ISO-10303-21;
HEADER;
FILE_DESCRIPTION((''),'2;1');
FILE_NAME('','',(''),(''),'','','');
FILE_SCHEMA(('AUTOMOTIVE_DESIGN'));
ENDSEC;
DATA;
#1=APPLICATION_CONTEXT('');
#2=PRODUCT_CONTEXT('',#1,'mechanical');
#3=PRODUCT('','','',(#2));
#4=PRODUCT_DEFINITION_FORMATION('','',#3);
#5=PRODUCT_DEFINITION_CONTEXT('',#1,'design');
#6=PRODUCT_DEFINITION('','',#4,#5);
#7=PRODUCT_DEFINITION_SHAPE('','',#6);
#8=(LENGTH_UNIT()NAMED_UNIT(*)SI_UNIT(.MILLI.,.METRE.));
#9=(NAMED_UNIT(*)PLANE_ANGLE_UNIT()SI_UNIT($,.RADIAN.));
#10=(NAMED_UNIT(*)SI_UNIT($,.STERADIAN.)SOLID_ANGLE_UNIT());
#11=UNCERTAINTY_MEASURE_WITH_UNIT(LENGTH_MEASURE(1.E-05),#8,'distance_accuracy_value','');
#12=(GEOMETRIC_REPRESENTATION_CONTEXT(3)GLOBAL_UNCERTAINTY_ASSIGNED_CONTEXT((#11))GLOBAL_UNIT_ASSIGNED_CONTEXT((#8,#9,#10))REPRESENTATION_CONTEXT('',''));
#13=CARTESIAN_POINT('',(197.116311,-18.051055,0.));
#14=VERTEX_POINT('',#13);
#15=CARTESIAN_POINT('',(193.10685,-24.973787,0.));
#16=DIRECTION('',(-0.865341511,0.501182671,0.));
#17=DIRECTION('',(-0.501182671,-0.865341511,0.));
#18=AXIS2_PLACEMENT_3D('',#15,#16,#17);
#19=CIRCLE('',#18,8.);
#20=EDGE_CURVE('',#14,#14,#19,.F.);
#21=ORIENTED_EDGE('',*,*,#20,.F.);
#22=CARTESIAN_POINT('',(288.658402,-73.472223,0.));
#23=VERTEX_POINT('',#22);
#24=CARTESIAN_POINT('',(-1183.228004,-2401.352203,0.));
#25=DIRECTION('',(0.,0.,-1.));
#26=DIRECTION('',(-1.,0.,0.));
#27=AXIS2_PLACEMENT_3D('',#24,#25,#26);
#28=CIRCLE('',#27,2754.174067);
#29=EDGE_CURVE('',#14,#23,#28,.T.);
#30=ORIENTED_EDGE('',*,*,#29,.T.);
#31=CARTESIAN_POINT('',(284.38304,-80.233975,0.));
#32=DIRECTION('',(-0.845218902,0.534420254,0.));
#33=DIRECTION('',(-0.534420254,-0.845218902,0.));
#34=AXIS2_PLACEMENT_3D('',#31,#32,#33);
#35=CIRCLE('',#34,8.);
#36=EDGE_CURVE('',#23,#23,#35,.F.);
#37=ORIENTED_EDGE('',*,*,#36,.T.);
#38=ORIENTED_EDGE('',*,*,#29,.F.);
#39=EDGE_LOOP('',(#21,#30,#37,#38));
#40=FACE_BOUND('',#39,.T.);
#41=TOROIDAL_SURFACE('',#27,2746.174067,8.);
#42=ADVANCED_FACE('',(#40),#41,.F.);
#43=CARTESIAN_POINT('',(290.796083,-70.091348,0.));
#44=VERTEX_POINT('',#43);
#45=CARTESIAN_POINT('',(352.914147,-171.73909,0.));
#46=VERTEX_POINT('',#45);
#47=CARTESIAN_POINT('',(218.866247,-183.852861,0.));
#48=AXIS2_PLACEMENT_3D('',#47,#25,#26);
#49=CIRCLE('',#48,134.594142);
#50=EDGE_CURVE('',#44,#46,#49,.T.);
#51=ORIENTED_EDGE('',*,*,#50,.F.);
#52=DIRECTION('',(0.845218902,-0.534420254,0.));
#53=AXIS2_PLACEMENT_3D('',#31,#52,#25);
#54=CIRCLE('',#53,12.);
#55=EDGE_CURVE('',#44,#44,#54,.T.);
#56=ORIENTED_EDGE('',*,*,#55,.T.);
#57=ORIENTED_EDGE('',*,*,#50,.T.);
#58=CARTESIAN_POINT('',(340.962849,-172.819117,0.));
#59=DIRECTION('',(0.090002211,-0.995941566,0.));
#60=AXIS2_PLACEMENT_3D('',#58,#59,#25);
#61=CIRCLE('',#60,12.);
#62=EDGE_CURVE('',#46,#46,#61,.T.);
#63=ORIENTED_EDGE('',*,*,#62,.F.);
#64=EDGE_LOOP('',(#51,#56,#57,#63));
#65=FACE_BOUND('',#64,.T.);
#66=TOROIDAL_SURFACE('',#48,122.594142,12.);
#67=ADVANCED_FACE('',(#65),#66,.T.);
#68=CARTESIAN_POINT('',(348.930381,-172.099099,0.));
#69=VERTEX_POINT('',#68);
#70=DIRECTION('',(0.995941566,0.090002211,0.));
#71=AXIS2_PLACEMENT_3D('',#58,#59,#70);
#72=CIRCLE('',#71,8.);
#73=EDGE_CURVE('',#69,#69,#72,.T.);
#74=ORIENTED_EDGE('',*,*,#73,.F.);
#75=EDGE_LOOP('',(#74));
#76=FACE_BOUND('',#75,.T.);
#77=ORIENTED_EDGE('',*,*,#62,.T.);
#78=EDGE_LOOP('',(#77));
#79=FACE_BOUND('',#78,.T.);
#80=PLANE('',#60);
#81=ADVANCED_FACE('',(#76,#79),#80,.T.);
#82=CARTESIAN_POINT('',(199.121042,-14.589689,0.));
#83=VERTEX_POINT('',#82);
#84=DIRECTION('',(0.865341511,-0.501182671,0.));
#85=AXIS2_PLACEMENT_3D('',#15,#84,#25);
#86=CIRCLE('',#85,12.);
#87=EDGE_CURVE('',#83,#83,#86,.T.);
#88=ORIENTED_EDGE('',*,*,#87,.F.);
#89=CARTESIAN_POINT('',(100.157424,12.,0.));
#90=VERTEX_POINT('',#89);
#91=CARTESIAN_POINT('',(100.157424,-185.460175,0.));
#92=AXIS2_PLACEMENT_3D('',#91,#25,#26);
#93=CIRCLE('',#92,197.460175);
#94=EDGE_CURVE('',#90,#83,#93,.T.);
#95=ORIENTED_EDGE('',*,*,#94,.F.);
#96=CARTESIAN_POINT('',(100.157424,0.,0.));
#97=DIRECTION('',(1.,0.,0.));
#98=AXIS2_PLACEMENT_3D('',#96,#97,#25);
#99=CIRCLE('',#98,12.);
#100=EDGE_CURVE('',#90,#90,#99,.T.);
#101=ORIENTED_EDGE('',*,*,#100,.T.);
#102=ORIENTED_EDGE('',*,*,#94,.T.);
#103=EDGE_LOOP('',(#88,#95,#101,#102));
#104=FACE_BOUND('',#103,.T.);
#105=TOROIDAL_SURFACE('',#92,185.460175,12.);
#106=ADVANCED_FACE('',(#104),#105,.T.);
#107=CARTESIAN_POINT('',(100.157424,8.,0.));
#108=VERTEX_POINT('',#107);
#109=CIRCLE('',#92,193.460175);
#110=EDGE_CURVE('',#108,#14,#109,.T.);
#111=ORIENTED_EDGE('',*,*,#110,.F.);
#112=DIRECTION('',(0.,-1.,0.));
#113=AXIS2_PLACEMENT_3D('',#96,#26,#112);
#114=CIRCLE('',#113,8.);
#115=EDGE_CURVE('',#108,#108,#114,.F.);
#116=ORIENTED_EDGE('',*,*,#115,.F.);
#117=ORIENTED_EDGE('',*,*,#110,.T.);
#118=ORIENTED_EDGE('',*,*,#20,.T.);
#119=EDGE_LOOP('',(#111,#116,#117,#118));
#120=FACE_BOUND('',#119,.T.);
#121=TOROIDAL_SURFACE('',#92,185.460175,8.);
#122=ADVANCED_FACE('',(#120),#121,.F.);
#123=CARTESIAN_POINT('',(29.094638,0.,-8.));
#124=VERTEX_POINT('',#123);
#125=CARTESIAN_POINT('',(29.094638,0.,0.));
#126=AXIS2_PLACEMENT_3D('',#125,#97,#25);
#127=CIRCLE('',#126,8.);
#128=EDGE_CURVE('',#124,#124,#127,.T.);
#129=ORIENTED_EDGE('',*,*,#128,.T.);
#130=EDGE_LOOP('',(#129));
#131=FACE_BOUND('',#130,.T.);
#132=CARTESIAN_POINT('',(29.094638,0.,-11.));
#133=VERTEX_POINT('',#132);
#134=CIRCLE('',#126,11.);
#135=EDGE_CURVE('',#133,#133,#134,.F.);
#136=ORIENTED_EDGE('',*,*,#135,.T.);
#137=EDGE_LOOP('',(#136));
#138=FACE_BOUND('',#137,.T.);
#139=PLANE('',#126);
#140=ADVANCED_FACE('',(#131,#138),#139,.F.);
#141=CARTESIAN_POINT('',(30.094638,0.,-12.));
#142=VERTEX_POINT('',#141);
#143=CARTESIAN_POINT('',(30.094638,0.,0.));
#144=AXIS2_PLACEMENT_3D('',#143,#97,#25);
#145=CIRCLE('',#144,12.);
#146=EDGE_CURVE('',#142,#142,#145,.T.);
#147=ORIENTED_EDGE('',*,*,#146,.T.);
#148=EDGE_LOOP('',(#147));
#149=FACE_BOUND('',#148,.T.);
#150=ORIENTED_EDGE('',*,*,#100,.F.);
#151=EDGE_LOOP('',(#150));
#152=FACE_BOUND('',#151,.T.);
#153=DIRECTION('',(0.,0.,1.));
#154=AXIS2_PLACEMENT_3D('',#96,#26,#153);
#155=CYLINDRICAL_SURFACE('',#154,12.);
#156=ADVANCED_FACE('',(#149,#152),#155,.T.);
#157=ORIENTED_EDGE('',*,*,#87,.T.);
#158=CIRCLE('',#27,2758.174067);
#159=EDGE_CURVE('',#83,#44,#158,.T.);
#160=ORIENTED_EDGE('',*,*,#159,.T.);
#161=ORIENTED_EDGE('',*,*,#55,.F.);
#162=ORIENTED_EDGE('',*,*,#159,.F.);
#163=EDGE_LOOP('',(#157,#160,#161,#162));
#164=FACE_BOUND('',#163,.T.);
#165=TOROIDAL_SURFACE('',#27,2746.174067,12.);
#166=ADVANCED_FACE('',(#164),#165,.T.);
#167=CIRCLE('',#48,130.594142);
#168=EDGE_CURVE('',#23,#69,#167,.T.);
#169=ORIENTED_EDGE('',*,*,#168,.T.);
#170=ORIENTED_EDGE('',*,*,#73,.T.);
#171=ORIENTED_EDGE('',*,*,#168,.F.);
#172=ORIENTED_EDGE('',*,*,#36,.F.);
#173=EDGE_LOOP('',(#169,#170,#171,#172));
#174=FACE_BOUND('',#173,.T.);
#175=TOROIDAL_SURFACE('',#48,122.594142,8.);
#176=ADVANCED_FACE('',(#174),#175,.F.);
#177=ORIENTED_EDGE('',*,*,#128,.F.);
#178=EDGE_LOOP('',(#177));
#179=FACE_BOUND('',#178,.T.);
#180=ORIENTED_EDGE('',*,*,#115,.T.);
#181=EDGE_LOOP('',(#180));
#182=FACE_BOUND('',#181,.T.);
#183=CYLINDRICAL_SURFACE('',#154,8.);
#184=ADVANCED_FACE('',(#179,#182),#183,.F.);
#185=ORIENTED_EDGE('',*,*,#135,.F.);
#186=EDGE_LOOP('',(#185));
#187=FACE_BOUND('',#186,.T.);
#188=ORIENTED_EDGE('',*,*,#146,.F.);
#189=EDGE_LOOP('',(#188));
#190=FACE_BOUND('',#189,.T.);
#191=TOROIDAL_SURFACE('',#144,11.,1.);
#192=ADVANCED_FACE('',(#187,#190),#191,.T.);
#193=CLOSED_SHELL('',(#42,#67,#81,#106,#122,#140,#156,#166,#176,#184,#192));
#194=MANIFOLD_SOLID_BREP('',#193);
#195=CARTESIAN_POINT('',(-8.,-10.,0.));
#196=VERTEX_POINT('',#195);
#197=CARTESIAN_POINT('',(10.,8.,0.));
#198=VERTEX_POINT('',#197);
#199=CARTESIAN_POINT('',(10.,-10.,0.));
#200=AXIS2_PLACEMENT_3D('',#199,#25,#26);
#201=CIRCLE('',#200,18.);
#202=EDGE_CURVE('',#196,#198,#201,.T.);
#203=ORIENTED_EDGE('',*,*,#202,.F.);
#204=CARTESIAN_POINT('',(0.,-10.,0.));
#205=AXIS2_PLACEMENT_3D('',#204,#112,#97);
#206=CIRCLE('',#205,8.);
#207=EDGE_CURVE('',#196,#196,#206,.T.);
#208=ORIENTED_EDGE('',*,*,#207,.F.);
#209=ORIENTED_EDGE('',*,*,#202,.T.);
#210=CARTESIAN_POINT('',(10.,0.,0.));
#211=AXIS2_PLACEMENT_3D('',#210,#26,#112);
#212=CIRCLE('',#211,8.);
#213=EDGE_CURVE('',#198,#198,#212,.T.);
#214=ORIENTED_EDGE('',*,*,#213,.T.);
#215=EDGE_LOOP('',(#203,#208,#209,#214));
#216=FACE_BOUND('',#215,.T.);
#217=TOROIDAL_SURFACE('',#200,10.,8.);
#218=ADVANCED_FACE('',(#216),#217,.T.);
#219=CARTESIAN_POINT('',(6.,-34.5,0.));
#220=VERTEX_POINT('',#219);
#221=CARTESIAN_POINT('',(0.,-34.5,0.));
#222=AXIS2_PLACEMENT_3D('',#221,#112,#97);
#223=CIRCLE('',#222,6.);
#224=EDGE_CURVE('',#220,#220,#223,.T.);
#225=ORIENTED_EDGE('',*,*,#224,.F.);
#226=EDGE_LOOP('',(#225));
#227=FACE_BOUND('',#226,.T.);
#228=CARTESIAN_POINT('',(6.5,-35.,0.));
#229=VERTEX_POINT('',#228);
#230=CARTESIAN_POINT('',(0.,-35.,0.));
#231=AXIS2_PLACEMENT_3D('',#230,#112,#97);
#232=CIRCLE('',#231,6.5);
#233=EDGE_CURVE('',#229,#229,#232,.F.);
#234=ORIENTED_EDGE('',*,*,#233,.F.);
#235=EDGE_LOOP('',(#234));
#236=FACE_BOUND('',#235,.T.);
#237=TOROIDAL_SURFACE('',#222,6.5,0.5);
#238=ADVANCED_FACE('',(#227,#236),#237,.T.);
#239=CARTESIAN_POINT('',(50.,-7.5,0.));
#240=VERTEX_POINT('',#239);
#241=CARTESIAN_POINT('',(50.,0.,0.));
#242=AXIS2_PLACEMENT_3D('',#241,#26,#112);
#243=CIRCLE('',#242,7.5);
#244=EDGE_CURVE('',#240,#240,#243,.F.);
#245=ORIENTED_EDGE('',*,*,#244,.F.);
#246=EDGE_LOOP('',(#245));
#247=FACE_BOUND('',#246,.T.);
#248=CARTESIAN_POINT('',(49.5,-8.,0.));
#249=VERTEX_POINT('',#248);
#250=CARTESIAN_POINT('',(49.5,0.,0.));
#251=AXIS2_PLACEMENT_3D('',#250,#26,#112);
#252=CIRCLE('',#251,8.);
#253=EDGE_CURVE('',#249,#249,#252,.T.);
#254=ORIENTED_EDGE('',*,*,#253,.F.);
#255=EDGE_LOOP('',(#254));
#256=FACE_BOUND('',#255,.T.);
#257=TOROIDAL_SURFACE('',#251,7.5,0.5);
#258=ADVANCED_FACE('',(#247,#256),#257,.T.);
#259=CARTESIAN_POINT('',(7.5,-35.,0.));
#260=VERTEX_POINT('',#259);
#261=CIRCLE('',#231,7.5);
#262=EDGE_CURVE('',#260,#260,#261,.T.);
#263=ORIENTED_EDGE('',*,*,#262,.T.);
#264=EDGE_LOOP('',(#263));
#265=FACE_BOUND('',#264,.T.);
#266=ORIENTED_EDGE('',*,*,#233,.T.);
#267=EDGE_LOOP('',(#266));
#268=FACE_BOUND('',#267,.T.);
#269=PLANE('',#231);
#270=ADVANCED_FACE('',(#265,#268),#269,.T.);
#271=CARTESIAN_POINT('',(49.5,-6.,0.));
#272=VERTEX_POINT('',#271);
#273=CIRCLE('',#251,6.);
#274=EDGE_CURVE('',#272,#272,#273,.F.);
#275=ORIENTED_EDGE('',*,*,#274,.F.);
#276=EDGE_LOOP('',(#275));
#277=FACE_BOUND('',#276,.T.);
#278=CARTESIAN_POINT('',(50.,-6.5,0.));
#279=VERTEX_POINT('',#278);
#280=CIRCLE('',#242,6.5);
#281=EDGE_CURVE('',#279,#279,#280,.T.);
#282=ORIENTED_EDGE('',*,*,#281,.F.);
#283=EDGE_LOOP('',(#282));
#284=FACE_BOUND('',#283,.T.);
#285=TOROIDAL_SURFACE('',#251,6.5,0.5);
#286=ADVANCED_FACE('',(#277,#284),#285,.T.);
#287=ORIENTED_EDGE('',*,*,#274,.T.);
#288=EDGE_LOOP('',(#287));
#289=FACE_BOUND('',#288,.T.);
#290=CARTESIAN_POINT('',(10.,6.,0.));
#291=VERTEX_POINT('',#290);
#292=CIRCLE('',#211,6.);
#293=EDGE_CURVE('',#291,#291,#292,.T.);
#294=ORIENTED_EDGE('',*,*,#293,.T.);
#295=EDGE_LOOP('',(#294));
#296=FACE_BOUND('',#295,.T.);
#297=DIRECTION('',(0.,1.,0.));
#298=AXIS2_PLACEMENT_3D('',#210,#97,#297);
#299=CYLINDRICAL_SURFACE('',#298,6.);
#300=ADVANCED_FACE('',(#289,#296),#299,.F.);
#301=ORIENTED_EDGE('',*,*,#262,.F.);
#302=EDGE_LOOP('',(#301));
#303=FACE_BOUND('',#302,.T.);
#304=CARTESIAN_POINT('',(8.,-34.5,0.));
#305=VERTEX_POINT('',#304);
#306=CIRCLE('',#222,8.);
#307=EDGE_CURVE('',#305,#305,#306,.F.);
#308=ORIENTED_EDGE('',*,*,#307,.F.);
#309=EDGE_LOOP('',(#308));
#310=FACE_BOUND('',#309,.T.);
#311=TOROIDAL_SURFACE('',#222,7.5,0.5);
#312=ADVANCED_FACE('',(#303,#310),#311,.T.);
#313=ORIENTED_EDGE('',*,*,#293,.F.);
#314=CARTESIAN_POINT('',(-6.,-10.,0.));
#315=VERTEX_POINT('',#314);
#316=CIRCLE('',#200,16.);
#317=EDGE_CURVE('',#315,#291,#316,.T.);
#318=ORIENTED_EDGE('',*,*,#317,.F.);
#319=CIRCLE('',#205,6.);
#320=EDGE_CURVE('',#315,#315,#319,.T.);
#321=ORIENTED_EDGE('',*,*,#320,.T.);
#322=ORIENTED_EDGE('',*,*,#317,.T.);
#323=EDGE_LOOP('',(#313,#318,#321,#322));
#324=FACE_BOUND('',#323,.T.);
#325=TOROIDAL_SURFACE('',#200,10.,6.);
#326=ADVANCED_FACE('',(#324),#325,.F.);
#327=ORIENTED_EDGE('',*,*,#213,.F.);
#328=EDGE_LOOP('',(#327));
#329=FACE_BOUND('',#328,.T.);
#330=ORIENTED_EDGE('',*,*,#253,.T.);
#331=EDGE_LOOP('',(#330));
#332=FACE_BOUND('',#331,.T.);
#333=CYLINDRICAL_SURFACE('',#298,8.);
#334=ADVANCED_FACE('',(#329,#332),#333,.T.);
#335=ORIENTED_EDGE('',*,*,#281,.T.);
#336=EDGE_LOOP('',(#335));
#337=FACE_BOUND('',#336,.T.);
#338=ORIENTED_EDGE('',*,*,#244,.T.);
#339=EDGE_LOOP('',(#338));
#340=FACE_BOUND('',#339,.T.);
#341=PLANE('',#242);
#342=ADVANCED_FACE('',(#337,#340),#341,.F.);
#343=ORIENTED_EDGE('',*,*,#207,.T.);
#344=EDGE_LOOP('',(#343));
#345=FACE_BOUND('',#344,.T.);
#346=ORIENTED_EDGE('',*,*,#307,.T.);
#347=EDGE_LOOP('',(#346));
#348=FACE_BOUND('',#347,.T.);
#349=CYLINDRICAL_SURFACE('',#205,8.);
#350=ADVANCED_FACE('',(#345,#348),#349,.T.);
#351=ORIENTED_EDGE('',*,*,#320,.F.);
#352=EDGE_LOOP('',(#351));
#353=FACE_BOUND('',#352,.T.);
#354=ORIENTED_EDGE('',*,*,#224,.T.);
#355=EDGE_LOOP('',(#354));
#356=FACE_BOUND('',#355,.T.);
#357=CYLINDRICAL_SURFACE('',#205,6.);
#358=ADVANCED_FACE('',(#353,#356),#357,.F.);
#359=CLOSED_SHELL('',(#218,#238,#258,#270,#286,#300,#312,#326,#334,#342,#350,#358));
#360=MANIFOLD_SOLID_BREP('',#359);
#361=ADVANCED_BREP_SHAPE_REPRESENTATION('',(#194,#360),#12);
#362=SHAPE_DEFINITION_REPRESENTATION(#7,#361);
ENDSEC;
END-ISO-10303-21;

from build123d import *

# Parameters (mm, degrees)
CROQUIS2_R  = 8
VACIADO2_T  = -2
REDONDEO1_R = 0.5
CROQUIS7_R  = 12
VACIADO3_T  = -4
REDONDEO2_R = 1


with BuildPart() as part:
    # Barrer1: sweep along a path in Croquis1
    with BuildLine(Plane.XY) as barrer1_path:
        Line((0, -35), (0, -10))
        ThreePointArc((0, -10), (2.928932188, -2.928932188), (10, 0))
        Line((10, 0), (50, 0))
    # Croquis2 → Barrer1 (sweep)
    with BuildSketch(Plane.XZ.offset(35)):
        Circle(CROQUIS2_R)
    sweep(path=barrer1_path.line)

    # Vaciado2
    vaciado2_openings = [part.faces().sort_by_distance(p)[0] for p in [
        (50, 0, 0),
        (0, -35, 0),
    ]]
    offset(amount=VACIADO2_T, openings=vaciado2_openings, kind=Kind.INTERSECTION)

    # Redondeo1
    redondeo1_edges = [part.edges().sort_by_distance(p)[0] for p in [
        (-8, -35, 0),
        (50, 8, 0),
        (50, 6, 0),
        (-6, -35, 0),
    ]]
    fillet(redondeo1_edges, radius=REDONDEO1_R)


with BuildPart() as body_2:
    # Barrer2: sweep along a path in Croquis6
    with BuildLine(Plane.XY) as barrer2_path:
        Line((29.094637827, 0), (100.157423708, 0))
        ThreePointArc((100.157423708, 0), (148.28040633, -6.352232524), (193.106849682, -24.973786993))
        ThreePointArc((193.106849682, -24.973786993), (239.013356914, -52.160529921), (284.383039562, -80.233974557))
        ThreePointArc((284.383039562, -80.233974557), (323.473601272, -119.926144084), (340.9628487, -172.819116783))
    # Croquis7 → Barrer2 (sweep)
    with BuildSketch(Plane(origin=(29.094637827, 0, 0), x_dir=(0, 0, -1), z_dir=(1, 0, 0))):
        Circle(CROQUIS7_R)
    sweep(path=barrer2_path.line)

    # Vaciado3
    vaciado3_openings = [body_2.faces().sort_by_distance(p)[0] for p in [
        (340.9628487, -172.819116783, 0),
        (29.094637827, 0, 0),
    ]]
    offset(amount=VACIADO3_T, openings=vaciado3_openings, kind=Kind.INTERSECTION)

    # Redondeo2
    redondeo2_edges = [body_2.edges().sort_by_distance(p)[0] for p in [
        (29.094637827, 0, 12),
    ]]
    fillet(redondeo2_edges, radius=REDONDEO2_R)


solid = Compound([part.part, body_2.part])
